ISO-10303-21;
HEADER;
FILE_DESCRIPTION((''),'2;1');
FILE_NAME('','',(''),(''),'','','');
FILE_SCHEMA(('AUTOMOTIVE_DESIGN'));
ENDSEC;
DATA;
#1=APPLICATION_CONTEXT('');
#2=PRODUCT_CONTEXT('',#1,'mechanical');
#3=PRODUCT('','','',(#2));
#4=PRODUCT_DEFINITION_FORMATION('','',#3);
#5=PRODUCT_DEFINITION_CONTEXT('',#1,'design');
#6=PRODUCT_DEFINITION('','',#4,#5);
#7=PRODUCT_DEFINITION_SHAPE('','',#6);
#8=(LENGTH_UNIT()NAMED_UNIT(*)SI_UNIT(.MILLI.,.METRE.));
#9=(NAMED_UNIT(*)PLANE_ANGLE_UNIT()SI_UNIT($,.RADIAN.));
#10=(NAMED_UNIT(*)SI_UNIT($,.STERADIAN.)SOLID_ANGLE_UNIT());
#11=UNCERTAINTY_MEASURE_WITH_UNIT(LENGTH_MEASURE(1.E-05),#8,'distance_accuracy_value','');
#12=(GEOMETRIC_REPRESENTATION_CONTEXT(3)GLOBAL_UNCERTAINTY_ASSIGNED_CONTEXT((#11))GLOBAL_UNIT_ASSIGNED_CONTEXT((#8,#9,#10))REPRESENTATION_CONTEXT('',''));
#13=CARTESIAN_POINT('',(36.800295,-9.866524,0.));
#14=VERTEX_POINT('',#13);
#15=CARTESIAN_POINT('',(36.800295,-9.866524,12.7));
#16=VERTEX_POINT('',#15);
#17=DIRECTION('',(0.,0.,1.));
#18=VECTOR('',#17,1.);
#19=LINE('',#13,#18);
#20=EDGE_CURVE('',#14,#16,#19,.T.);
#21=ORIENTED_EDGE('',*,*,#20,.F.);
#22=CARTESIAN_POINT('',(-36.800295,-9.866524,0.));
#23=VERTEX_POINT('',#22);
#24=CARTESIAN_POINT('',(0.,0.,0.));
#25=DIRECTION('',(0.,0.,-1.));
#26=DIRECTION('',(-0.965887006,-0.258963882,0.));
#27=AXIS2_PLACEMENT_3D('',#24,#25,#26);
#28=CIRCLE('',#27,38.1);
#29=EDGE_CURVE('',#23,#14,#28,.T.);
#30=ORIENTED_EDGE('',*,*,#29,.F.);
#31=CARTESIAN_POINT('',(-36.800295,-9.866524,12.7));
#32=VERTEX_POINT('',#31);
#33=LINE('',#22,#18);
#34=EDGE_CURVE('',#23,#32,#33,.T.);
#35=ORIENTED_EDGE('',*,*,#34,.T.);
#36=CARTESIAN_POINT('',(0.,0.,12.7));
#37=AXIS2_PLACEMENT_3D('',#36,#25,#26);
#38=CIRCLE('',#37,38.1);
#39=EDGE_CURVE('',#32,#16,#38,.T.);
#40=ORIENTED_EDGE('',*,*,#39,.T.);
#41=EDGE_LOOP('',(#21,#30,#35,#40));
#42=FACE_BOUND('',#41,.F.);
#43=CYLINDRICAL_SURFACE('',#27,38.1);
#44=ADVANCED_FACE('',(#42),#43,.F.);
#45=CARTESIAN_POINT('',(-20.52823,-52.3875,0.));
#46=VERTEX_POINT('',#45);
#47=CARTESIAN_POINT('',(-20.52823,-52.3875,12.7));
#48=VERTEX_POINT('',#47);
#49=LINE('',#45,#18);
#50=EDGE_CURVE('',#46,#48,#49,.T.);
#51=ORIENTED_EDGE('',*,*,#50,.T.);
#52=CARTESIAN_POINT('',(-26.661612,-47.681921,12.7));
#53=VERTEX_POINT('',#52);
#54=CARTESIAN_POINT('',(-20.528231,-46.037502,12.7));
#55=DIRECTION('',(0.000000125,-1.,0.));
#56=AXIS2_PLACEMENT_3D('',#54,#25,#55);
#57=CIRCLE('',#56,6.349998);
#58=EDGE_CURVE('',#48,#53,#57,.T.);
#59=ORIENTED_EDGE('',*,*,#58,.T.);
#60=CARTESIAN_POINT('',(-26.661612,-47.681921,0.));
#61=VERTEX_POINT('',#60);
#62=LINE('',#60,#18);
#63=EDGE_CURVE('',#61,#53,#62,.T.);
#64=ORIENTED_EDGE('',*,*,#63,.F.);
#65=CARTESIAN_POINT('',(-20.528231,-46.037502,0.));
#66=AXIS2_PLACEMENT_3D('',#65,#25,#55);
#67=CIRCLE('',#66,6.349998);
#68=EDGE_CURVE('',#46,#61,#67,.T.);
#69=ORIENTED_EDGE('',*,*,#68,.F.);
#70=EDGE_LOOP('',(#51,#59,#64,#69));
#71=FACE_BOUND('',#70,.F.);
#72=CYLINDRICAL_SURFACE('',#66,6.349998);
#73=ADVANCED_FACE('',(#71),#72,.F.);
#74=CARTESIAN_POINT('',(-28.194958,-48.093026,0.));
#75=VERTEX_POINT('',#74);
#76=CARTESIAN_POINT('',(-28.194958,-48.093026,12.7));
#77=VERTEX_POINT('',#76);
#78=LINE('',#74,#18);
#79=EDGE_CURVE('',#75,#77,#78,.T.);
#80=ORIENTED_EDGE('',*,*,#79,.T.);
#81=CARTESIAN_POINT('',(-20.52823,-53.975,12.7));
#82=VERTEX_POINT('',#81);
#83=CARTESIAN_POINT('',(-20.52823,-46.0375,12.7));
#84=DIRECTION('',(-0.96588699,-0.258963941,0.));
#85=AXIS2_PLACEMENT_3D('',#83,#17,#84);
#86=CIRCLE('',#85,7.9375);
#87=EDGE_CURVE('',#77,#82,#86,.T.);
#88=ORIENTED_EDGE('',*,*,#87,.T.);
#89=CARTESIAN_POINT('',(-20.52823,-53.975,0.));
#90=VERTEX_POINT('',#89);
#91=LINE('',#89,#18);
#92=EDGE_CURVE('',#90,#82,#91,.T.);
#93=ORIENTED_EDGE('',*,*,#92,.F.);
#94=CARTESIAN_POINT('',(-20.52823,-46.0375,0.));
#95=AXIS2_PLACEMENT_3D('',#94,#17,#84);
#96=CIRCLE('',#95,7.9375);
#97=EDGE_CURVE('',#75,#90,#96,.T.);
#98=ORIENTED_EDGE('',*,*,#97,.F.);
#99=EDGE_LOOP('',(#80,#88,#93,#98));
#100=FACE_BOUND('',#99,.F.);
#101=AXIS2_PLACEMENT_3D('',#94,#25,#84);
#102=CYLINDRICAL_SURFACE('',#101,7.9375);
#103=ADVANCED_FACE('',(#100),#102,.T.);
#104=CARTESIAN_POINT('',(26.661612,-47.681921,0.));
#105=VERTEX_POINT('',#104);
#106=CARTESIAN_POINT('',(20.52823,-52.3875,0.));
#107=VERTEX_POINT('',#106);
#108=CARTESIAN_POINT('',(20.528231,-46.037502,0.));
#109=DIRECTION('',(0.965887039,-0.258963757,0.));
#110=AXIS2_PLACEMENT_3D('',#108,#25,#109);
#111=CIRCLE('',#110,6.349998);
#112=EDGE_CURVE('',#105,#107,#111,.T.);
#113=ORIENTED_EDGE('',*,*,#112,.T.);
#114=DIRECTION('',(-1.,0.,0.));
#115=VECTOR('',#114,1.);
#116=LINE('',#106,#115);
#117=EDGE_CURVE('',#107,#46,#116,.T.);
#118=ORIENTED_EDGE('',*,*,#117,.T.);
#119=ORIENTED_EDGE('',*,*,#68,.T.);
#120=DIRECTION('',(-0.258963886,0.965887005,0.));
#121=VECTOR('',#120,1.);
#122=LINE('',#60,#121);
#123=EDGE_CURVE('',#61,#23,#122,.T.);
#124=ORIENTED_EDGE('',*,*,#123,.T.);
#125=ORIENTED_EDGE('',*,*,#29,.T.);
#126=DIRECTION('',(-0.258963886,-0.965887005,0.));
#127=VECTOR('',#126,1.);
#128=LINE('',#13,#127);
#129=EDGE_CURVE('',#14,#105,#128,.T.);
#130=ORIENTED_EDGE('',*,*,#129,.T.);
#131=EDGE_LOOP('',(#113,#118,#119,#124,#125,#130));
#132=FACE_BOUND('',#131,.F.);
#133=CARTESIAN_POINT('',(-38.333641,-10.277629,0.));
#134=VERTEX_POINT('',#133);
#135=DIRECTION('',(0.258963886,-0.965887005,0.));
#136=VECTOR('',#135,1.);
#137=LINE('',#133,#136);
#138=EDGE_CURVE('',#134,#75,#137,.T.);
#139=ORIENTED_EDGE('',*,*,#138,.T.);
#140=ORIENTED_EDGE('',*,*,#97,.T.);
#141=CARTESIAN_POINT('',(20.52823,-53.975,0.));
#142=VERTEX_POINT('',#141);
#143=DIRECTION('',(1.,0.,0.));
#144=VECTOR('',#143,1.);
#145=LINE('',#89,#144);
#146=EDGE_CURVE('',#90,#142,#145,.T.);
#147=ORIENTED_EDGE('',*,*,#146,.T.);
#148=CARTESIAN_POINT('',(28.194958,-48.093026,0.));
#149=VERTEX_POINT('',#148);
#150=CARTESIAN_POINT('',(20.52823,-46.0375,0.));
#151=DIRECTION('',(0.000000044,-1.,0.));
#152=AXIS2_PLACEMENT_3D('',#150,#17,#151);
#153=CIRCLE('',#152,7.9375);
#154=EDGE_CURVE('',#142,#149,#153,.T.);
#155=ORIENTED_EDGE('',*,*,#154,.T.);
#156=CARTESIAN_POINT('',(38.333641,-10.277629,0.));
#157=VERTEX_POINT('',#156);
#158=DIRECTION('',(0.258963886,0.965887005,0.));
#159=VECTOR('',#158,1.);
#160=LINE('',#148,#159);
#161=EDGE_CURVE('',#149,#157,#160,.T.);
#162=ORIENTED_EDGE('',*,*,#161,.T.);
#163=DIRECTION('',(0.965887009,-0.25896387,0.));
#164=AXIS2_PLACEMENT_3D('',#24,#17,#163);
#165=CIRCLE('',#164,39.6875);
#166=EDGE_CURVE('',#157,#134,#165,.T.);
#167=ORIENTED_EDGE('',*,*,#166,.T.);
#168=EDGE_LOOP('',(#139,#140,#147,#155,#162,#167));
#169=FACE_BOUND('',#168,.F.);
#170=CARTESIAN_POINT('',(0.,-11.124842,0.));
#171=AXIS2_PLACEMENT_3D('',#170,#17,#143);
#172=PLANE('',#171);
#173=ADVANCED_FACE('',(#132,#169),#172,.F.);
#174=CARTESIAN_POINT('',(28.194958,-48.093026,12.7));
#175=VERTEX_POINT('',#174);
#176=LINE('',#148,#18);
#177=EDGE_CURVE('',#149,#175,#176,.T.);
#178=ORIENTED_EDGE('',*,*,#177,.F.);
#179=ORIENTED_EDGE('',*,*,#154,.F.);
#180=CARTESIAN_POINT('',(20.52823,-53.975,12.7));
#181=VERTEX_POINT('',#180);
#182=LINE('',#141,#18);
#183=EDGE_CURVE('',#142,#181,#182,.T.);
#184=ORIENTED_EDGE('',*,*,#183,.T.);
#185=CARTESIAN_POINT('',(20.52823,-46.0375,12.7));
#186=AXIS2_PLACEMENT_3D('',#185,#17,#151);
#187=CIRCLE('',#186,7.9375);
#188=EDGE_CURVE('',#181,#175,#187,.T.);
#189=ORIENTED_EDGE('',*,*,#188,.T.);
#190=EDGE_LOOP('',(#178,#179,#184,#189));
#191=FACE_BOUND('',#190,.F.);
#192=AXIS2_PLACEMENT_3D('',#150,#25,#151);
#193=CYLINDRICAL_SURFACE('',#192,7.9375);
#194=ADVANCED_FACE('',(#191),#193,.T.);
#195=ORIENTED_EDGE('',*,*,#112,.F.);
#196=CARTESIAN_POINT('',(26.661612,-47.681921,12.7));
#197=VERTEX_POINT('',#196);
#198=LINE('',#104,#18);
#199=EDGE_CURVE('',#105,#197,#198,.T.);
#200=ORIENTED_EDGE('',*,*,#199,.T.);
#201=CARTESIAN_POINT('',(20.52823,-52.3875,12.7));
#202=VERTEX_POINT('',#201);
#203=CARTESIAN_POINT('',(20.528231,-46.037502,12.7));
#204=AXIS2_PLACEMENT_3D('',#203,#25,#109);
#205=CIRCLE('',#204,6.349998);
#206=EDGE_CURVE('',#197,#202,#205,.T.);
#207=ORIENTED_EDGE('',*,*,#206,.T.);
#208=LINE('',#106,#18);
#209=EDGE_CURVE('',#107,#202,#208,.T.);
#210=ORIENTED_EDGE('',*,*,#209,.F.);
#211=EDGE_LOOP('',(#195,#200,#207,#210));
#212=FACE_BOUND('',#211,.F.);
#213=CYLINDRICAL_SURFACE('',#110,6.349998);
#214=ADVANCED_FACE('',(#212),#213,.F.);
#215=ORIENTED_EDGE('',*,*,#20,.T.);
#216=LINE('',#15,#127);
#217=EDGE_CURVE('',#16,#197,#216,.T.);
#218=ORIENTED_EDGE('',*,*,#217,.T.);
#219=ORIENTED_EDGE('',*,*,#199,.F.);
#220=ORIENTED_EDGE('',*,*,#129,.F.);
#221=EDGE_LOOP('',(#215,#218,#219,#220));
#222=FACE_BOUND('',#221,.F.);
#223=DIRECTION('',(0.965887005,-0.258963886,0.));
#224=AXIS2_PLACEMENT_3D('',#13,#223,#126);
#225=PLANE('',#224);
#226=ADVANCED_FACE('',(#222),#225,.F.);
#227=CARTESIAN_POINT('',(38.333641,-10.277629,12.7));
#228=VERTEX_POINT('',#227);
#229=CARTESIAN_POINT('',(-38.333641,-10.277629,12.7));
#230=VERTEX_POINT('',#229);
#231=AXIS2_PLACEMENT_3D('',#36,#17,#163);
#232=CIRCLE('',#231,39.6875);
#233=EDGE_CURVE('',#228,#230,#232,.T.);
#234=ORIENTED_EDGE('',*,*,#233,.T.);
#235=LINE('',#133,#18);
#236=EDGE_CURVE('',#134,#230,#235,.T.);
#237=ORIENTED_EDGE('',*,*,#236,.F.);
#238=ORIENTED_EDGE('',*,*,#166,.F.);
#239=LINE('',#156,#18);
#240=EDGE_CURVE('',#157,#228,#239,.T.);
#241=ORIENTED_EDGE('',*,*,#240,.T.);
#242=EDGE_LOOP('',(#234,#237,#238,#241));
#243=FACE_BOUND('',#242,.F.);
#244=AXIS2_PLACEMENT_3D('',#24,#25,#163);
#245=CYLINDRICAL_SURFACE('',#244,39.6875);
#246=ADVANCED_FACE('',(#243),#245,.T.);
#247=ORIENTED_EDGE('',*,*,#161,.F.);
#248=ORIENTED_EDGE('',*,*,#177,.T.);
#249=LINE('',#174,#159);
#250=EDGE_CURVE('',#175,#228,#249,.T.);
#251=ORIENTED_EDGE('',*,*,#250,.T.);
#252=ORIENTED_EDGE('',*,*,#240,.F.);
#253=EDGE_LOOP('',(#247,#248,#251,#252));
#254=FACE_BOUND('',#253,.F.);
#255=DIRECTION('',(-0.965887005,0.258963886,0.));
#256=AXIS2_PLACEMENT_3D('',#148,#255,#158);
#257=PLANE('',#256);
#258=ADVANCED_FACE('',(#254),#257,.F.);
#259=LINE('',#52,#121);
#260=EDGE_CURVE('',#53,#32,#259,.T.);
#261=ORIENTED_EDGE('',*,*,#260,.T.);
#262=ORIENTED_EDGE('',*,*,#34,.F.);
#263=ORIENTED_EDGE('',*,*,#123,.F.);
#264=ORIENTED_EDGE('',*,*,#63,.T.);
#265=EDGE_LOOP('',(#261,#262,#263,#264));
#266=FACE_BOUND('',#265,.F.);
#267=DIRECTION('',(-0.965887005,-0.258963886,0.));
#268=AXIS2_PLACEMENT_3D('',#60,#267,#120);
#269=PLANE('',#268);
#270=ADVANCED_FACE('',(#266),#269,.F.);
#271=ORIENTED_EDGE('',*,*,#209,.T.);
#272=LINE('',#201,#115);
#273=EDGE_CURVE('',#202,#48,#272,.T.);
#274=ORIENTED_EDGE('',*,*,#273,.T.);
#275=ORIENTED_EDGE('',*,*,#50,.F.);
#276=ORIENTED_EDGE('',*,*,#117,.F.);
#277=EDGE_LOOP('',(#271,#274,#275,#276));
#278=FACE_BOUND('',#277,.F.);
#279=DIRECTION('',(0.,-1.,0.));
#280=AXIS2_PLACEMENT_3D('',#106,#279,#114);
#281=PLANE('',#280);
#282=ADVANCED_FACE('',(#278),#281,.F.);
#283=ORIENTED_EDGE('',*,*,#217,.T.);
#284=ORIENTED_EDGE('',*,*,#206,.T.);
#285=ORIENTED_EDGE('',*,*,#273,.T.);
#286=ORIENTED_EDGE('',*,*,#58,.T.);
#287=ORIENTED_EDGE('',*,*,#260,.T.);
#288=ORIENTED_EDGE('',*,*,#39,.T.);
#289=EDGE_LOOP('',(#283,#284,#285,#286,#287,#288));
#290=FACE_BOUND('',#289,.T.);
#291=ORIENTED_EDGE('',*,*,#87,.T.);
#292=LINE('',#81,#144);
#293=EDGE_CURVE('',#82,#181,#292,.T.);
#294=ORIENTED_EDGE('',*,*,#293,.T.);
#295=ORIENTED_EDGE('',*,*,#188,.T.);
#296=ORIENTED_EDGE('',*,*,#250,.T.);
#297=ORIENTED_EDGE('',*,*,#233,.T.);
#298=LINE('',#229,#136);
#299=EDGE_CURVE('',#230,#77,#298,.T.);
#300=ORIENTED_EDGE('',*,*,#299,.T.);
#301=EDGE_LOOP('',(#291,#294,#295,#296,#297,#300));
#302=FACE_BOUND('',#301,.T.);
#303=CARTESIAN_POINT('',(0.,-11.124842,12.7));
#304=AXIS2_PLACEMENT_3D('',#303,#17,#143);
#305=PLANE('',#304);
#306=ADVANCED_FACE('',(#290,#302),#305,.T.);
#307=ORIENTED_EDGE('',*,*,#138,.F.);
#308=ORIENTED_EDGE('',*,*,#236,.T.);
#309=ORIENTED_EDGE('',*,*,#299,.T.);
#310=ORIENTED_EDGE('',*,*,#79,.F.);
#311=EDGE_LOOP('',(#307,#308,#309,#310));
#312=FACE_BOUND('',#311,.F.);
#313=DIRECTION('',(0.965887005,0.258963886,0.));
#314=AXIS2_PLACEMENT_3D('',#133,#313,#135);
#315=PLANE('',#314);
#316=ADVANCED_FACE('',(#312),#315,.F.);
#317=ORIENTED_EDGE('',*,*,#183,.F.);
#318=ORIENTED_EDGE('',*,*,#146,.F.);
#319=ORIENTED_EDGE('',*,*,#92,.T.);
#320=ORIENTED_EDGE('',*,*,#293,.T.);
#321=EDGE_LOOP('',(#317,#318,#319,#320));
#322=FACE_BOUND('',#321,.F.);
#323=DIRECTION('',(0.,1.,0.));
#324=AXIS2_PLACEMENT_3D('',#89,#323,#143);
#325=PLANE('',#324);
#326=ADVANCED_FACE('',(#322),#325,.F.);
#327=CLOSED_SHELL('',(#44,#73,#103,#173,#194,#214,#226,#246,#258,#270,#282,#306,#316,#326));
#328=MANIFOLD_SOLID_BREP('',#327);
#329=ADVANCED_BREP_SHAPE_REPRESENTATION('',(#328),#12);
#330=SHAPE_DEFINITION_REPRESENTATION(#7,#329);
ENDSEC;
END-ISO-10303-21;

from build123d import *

# Parameters (mm, degrees)
F1_DEPTH = 12.7


with BuildPart() as f1:
    # F0 (on Top) → F1 (new body)
    with BuildSketch(Plane.XY):
        with BuildLine():
            Line((-20.52823, -53.975), (20.52823, -53.975))
            ThreePointArc((20.52823, -53.975), (25.359802, -52.335104), (28.194958, -48.093026))
            Line((28.194958, -48.093026), (38.333641, -10.277629))
            ThreePointArc((38.333641, -10.277629), (0, 39.6875), (-38.333641, -10.277629))
            Line((-38.333641, -10.277629), (-28.194958, -48.093026))
            ThreePointArc((-28.194958, -48.093026), (-25.359802, -52.335104), (-20.52823, -53.975))
        make_face()
        with BuildLine():
            ThreePointArc((-36.800295, -9.866524), (0, 38.1), (36.800295, -9.866524))
            Line((36.800295, -9.866524), (26.661612, -47.681921))
            ThreePointArc((26.661612, -47.681921), (24.393487, -51.075584), (20.52823, -52.3875))
            Line((20.52823, -52.3875), (-20.52823, -52.3875))
            ThreePointArc((-20.52823, -52.3875), (-24.393487, -51.075584), (-26.661612, -47.681921))
            Line((-26.661612, -47.681921), (-36.800295, -9.866524))
        make_face(mode=Mode.SUBTRACT)
    extrude(amount=F1_DEPTH)


solid = f1.part
